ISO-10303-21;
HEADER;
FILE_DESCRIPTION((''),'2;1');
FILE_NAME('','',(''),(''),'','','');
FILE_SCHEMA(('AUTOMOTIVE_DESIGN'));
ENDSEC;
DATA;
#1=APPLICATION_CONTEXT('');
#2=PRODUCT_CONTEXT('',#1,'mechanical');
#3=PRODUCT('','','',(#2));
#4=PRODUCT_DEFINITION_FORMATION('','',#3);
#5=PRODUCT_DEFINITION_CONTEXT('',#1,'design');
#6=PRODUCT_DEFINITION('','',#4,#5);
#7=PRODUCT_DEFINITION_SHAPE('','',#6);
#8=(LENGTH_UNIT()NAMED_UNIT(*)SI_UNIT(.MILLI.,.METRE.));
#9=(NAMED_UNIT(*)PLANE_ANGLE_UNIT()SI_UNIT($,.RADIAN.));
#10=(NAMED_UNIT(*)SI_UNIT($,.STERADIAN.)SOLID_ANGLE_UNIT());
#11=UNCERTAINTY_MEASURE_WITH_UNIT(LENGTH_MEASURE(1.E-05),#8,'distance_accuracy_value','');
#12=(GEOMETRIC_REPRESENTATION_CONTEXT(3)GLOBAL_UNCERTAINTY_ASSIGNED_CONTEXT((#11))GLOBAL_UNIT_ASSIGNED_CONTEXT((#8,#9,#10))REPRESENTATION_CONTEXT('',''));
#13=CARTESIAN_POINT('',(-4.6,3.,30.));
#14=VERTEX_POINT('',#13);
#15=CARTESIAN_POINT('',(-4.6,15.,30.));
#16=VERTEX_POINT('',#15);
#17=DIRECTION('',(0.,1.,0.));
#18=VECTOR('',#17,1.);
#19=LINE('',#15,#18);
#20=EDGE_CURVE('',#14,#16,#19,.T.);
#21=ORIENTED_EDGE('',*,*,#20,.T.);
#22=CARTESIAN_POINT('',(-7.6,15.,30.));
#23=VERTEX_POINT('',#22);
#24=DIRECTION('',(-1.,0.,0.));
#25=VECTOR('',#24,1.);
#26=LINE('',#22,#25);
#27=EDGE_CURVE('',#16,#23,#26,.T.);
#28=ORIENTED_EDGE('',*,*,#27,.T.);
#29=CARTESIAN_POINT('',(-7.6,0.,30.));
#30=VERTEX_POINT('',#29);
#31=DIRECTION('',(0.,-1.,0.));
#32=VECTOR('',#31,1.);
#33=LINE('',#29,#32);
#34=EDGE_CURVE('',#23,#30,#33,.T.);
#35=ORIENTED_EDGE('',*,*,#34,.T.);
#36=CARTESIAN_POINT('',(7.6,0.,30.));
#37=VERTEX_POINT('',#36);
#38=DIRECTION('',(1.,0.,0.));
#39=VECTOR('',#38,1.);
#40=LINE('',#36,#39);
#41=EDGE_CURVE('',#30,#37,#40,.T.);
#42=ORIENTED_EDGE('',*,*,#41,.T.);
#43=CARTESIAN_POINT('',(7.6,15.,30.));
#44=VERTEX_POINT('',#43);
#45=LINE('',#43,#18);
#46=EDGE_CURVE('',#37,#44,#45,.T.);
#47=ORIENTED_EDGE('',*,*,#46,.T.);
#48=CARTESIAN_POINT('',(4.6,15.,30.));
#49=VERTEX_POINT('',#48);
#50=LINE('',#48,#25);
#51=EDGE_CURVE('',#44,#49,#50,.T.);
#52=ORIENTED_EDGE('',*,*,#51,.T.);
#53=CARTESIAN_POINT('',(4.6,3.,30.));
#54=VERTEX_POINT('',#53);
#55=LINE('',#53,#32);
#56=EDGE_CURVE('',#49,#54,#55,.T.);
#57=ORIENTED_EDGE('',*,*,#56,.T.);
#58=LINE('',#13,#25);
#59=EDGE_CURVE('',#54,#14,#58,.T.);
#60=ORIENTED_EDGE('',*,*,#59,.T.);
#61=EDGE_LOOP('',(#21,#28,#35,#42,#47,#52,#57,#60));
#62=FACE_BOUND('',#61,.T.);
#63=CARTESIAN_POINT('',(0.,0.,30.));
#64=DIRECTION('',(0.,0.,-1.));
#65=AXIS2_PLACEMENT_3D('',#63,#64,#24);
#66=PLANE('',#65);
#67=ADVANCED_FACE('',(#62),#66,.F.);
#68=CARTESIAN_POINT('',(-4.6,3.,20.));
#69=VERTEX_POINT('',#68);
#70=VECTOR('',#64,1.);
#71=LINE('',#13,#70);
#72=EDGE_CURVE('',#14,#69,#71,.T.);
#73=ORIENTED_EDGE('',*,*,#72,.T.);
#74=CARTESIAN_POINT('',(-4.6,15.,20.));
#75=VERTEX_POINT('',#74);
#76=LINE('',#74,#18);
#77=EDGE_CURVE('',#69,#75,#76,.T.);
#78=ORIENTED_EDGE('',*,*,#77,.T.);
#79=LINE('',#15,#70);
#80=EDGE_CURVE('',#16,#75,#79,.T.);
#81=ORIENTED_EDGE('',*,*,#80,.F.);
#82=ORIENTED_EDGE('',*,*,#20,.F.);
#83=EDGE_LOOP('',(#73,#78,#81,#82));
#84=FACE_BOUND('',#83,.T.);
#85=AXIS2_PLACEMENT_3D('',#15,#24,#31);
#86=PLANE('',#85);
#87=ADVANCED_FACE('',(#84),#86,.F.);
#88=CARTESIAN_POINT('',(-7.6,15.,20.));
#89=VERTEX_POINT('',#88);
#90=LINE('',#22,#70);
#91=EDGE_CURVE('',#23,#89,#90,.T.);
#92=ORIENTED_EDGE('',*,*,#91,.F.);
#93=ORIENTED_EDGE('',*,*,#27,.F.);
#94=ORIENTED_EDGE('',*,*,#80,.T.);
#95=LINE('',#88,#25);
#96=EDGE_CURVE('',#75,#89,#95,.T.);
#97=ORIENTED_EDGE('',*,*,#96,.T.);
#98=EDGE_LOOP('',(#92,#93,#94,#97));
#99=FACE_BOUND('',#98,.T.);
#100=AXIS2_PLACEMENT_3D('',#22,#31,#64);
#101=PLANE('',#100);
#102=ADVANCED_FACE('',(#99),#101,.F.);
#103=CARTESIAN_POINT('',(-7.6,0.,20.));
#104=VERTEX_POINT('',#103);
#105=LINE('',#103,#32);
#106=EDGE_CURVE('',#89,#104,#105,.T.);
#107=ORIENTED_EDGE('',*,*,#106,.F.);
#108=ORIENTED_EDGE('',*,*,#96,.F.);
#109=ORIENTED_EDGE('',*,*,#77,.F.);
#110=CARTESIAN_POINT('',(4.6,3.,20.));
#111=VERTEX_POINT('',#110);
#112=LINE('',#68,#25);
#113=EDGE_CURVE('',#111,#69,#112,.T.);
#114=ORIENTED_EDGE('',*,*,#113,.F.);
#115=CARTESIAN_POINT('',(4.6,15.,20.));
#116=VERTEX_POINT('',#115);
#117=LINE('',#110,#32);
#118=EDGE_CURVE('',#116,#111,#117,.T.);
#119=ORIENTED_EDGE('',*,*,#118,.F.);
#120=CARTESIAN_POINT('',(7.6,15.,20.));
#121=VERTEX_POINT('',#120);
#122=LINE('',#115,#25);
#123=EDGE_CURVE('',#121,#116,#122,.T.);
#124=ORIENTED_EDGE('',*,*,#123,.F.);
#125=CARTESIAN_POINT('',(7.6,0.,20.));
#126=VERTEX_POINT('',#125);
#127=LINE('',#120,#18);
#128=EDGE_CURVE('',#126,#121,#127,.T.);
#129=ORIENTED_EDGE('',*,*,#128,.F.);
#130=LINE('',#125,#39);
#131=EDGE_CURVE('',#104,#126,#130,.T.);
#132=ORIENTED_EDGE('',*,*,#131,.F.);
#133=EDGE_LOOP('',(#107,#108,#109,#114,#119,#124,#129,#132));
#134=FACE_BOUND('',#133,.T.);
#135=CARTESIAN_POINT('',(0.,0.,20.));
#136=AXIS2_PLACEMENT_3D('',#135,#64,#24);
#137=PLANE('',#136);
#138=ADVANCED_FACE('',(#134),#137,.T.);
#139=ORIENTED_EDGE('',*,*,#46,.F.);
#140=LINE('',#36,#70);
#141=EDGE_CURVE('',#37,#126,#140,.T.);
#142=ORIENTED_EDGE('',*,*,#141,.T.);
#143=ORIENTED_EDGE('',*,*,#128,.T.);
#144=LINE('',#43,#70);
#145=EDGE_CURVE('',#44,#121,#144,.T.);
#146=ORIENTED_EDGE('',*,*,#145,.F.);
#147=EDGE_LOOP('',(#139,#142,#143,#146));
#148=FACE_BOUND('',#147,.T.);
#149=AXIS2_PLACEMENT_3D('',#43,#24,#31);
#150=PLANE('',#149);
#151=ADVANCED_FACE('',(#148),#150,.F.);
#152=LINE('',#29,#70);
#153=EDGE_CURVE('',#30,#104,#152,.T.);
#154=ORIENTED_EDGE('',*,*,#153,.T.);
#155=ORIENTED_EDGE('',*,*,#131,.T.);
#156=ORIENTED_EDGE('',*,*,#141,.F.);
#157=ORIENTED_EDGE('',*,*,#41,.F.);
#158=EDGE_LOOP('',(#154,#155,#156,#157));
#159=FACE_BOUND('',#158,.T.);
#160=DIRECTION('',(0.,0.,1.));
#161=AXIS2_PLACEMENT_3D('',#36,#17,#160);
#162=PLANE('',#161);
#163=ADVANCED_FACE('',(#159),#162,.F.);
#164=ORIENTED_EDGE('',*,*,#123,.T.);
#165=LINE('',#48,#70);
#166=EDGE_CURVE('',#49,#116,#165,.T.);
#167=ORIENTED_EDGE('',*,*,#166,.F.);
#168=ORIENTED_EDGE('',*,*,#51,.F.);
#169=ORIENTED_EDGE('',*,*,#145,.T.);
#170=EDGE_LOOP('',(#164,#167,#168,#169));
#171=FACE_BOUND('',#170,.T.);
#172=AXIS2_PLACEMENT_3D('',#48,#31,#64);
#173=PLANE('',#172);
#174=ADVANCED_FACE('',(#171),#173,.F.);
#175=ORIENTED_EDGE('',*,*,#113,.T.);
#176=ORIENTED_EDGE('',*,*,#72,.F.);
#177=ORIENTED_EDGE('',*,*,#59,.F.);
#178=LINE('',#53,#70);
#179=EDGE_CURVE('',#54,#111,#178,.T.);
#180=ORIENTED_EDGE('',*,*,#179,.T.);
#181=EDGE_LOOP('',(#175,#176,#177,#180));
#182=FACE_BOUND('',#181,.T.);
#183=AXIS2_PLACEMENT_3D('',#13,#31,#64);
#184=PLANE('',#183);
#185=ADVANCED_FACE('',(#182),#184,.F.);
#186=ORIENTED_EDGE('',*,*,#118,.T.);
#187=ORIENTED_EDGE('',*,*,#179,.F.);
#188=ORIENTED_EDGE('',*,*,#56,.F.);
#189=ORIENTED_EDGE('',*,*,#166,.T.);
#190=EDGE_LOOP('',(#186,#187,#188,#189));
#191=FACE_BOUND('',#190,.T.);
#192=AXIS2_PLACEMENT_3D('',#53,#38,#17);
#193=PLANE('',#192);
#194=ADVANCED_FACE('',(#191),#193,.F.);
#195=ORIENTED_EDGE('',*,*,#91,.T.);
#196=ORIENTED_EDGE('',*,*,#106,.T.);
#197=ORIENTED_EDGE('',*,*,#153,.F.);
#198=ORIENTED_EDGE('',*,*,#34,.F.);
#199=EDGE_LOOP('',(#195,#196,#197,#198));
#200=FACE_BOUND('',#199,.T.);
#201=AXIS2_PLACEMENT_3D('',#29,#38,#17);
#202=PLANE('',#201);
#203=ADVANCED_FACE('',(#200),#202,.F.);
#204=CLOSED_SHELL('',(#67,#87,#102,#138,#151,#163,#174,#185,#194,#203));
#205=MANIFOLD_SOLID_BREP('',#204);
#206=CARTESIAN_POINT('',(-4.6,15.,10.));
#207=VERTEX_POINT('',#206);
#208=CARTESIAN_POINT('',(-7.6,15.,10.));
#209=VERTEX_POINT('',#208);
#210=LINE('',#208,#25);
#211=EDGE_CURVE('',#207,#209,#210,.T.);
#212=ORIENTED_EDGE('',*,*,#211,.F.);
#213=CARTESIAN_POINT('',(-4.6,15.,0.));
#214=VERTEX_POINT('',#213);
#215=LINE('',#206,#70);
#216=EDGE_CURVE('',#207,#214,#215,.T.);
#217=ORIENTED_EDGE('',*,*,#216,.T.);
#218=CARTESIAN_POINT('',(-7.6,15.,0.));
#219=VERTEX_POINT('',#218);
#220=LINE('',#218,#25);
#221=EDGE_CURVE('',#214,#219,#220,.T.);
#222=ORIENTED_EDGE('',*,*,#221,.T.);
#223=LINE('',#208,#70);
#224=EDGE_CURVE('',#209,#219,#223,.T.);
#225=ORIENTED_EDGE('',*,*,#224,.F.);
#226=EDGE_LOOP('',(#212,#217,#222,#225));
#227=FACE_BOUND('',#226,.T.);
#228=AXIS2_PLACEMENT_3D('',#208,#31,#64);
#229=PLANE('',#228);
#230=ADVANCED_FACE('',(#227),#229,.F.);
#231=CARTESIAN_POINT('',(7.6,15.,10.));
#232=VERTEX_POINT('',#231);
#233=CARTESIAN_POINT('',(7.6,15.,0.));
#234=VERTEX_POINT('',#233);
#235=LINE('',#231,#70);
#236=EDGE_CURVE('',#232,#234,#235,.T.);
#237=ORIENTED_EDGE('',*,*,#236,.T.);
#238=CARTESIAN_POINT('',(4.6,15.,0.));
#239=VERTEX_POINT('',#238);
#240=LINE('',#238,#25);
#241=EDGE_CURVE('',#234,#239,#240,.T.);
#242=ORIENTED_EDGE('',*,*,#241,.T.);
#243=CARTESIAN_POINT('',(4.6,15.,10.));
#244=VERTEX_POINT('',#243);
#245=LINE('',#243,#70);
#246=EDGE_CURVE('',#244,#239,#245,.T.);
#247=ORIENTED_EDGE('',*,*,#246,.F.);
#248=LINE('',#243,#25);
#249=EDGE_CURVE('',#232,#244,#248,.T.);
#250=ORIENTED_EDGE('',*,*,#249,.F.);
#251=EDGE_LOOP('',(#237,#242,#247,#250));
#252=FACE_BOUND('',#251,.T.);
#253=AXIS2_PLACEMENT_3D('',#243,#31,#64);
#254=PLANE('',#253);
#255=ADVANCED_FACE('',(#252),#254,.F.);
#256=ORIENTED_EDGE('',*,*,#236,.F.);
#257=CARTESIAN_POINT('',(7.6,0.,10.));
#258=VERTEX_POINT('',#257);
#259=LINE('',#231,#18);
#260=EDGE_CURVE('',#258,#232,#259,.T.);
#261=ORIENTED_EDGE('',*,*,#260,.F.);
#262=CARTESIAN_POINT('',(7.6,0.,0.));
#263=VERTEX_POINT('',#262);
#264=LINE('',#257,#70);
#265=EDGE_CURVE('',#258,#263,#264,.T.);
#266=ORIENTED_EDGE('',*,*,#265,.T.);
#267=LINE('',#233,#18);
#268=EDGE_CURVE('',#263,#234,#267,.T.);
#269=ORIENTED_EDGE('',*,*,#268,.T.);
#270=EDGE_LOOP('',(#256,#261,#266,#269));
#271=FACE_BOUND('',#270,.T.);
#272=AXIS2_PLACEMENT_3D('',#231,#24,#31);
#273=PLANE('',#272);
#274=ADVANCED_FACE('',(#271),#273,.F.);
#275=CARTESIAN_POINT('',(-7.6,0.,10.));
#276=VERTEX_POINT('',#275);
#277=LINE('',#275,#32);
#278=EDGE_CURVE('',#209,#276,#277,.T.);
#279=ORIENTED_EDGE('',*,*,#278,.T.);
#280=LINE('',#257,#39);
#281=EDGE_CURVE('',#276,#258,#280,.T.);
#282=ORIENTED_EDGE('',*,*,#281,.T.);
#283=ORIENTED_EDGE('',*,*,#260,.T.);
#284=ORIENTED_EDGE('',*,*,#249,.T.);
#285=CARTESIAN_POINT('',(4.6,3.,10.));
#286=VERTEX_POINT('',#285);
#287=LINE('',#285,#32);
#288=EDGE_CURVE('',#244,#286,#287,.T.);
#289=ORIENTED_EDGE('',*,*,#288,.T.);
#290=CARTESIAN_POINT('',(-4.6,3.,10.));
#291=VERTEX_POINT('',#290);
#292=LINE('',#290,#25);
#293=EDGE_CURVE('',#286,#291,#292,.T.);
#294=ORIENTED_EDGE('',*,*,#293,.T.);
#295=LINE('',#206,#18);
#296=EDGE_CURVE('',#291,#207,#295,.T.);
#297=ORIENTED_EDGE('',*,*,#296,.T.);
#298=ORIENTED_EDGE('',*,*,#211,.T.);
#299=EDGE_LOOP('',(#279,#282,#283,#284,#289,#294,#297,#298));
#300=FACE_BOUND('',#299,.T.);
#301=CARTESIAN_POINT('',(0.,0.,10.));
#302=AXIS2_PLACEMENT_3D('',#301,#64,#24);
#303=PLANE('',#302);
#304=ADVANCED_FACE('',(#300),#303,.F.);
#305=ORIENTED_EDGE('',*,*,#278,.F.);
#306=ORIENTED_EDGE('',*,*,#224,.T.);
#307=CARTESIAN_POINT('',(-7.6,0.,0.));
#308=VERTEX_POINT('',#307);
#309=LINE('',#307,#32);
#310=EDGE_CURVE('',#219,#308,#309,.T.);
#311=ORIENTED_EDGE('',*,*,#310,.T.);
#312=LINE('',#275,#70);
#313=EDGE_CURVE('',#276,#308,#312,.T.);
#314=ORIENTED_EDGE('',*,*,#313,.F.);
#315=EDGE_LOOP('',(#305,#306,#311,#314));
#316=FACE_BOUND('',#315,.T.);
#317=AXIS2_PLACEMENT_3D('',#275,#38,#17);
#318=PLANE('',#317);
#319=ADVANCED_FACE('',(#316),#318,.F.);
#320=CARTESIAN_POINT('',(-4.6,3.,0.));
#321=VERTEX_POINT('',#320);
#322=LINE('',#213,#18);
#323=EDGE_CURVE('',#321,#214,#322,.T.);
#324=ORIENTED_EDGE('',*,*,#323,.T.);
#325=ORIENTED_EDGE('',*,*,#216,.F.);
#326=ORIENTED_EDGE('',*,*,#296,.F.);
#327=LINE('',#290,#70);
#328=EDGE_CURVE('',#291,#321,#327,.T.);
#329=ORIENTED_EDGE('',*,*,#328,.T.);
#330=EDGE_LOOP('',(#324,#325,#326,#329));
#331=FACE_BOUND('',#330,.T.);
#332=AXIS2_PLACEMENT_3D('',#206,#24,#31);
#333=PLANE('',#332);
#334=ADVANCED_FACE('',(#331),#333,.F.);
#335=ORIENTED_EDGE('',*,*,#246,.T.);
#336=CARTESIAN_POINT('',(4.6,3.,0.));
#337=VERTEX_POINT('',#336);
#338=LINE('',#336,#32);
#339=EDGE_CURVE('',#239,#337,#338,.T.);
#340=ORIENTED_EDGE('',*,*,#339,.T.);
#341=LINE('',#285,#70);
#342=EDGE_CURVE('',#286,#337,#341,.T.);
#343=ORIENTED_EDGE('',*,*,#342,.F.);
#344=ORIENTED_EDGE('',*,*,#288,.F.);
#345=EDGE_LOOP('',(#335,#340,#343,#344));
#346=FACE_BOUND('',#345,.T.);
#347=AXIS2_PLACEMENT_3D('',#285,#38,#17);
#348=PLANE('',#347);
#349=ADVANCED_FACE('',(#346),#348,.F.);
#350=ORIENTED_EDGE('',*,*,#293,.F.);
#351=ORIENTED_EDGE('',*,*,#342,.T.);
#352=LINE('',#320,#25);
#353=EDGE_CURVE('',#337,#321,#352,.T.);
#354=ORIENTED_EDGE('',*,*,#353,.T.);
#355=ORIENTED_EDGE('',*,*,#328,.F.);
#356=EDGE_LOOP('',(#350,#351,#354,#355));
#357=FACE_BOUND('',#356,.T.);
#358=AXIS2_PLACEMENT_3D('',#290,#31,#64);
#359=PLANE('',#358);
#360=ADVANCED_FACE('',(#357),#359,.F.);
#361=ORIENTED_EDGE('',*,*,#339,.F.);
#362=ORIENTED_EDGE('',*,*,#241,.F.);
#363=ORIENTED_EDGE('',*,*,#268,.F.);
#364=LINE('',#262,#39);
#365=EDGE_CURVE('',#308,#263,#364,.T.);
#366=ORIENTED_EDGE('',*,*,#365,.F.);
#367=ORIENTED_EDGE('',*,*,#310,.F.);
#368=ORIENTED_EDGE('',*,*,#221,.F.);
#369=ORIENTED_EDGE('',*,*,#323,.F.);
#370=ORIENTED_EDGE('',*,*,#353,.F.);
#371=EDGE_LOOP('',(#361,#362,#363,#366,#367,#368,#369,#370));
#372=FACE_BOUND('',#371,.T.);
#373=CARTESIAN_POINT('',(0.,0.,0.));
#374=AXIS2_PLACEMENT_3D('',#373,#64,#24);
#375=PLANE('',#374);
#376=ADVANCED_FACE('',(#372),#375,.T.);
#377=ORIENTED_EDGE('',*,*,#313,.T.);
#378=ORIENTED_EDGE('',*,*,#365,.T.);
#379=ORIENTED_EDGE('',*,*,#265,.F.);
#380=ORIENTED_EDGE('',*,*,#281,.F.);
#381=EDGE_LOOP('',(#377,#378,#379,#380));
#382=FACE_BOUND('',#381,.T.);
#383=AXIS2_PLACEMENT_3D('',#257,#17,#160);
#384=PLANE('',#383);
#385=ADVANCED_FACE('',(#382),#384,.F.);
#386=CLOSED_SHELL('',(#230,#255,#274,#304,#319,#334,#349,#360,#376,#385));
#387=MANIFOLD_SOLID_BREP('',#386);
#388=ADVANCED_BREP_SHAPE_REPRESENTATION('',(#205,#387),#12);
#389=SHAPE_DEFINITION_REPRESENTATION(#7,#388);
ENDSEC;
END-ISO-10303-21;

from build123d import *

# Parameters (mm, degrees)
BOSS_EXTRUDE1_DEPTH = 10
LPATTERN3_COUNT     = 2
LPATTERN3_PITCH     = 20


with BuildPart() as part:
    # Sketch1 → Boss-Extrude1 (new body)
    with BuildSketch(Plane.XY):
        Polygon((-4.6, 15), (-4.6, 3), (4.6, 3), (4.6, 15), (7.6, 15), (7.6, 0), (-7.6, 0), (-7.6, 15), align=None)
    extrude(amount=BOSS_EXTRUDE1_DEPTH)


with BuildPart() as lpattern3_1:
    # LPattern3: pattern copy
    add(part.part.moved(Location(Vector(0, 0, 1) * (1 * LPATTERN3_PITCH))))


solid = Compound([part.part, lpattern3_1.part])
